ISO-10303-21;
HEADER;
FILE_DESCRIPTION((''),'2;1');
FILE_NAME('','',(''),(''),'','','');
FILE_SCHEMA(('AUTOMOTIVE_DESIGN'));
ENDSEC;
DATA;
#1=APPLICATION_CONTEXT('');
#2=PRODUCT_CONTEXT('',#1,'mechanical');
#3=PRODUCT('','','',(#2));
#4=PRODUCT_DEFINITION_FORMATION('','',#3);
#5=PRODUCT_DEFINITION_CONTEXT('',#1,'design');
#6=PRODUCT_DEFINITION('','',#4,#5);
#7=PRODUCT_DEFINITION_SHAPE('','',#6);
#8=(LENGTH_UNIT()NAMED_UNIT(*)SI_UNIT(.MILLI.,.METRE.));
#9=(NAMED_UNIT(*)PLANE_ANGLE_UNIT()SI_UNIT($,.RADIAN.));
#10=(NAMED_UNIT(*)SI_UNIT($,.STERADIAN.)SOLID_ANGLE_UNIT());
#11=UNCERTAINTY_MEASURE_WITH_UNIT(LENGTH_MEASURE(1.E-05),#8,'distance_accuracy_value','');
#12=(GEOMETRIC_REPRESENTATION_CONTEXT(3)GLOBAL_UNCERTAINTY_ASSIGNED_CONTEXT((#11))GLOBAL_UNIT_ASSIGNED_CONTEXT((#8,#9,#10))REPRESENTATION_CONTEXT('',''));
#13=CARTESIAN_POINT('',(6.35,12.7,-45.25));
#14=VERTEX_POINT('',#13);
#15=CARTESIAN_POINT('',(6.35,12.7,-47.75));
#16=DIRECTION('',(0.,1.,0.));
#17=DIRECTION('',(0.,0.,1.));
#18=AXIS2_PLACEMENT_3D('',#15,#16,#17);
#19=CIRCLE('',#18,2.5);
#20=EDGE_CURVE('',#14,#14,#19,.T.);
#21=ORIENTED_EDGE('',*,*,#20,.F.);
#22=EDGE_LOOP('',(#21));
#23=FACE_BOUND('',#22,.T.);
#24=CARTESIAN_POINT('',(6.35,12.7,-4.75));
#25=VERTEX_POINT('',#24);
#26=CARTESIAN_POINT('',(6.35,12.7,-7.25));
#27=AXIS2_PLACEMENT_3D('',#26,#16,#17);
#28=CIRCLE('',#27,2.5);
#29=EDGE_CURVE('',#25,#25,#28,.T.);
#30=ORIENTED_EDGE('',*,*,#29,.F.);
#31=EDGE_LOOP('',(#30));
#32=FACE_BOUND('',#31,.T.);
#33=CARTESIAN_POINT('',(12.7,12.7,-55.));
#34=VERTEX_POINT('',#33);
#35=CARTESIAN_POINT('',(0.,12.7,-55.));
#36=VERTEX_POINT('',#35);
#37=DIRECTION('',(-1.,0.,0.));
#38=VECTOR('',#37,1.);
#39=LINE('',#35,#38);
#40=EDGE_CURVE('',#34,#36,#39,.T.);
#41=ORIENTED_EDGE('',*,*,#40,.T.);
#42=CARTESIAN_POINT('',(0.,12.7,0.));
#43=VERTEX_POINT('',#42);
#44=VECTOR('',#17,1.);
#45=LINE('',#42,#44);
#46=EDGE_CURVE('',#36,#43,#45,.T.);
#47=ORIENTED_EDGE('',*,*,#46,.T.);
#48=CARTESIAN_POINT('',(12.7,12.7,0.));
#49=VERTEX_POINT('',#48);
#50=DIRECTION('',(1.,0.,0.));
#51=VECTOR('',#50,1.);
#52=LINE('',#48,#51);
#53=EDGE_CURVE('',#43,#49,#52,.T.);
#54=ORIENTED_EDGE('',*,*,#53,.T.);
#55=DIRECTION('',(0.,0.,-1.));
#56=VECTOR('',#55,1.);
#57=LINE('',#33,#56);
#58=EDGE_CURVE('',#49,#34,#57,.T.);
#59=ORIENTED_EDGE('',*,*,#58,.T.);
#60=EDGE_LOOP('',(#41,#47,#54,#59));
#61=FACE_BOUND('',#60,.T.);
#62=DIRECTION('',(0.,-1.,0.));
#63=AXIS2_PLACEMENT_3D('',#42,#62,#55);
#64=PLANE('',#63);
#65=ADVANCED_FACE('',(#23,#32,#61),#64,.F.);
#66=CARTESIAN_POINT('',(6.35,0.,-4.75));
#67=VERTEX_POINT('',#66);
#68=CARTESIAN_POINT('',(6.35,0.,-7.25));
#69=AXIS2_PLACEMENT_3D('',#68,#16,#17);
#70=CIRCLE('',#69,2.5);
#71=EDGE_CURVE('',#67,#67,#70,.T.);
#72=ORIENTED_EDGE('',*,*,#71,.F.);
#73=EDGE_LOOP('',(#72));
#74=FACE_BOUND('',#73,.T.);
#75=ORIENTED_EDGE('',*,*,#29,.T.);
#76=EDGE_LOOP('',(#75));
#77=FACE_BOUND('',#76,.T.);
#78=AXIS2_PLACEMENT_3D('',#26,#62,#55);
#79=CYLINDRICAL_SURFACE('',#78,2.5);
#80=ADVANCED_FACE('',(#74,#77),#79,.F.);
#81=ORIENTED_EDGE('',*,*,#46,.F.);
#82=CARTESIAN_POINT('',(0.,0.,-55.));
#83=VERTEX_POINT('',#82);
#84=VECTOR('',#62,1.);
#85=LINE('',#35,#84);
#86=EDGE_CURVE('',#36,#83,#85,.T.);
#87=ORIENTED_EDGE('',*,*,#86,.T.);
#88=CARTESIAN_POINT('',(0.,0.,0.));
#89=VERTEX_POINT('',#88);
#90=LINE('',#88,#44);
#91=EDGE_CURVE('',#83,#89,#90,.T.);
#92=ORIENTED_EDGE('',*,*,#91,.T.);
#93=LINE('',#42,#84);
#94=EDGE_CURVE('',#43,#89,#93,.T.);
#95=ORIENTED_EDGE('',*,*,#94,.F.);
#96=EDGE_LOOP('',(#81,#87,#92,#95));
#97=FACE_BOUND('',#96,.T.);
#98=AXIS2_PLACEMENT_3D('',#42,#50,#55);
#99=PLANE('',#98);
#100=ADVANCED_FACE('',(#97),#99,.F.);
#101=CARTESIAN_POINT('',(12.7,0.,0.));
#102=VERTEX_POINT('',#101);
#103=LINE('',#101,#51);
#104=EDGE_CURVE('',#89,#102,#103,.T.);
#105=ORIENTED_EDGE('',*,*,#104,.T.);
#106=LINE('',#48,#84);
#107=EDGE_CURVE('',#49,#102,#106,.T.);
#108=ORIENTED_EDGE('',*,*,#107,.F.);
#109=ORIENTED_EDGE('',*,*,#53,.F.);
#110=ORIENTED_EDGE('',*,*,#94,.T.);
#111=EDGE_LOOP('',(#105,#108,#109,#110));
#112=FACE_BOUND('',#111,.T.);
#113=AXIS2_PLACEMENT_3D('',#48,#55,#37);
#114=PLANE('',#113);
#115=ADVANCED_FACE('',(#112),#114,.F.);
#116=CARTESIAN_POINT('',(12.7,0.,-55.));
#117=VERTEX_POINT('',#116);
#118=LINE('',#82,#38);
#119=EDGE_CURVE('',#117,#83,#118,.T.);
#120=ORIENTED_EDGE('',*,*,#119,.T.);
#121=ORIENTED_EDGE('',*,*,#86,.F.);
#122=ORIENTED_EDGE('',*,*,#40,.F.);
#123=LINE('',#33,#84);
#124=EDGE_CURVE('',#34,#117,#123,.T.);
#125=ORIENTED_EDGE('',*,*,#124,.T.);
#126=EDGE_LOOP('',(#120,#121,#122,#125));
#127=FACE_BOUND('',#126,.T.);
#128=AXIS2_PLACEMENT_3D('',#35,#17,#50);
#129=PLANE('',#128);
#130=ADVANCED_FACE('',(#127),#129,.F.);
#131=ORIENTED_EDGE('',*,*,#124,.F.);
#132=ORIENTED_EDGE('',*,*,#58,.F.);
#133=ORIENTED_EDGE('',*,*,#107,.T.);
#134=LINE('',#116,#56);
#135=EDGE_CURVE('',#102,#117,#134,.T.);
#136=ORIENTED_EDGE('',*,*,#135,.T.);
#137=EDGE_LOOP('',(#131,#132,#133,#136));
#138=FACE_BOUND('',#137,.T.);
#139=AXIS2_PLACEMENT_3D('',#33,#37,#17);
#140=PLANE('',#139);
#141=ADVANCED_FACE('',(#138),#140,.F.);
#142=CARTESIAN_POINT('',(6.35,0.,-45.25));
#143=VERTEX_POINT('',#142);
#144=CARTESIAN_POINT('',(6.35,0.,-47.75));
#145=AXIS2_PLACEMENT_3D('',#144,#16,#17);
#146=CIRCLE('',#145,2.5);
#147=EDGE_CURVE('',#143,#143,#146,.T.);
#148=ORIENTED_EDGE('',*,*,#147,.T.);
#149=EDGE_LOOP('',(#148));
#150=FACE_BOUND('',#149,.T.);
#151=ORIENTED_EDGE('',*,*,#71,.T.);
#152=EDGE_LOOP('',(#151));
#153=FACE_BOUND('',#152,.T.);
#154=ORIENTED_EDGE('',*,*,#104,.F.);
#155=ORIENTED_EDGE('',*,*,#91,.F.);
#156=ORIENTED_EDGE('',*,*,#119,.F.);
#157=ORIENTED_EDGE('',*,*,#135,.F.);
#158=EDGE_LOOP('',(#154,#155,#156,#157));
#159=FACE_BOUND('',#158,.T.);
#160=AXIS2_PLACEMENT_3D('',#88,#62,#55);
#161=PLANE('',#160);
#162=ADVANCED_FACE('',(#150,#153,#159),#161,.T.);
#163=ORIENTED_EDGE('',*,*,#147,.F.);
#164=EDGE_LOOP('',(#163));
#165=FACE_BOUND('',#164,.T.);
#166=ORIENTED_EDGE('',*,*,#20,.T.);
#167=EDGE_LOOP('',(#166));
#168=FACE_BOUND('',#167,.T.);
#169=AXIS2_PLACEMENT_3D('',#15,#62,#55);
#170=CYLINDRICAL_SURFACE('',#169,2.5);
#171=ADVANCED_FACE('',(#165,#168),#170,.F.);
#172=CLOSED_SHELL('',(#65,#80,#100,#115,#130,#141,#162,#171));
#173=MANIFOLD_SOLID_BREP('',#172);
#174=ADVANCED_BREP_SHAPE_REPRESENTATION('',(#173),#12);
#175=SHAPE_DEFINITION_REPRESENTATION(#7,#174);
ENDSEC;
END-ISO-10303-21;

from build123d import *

# Parameters (mm, degrees)
SKETCH1_W           = 12.7
SKETCH1_H           = 55
SKETCH1_R           = 2.5
BOSS_EXTRUDE1_DEPTH = 12.7


with BuildPart() as part:
    # Sketch1 → Boss-Extrude1 (new body)
    with BuildSketch(Plane(origin=(0, 0, 0), x_dir=(1, 0, 0), z_dir=(0, 1, 0))):
        with Locations((6.35, 27.5)):
            Rectangle(SKETCH1_W, SKETCH1_H)
        with Locations((6.35, 7.25)):
            Circle(SKETCH1_R, mode=Mode.SUBTRACT)
        with Locations((6.35, 47.75)):
            Circle(SKETCH1_R, mode=Mode.SUBTRACT)
    extrude(amount=BOSS_EXTRUDE1_DEPTH)


solid = part.part
